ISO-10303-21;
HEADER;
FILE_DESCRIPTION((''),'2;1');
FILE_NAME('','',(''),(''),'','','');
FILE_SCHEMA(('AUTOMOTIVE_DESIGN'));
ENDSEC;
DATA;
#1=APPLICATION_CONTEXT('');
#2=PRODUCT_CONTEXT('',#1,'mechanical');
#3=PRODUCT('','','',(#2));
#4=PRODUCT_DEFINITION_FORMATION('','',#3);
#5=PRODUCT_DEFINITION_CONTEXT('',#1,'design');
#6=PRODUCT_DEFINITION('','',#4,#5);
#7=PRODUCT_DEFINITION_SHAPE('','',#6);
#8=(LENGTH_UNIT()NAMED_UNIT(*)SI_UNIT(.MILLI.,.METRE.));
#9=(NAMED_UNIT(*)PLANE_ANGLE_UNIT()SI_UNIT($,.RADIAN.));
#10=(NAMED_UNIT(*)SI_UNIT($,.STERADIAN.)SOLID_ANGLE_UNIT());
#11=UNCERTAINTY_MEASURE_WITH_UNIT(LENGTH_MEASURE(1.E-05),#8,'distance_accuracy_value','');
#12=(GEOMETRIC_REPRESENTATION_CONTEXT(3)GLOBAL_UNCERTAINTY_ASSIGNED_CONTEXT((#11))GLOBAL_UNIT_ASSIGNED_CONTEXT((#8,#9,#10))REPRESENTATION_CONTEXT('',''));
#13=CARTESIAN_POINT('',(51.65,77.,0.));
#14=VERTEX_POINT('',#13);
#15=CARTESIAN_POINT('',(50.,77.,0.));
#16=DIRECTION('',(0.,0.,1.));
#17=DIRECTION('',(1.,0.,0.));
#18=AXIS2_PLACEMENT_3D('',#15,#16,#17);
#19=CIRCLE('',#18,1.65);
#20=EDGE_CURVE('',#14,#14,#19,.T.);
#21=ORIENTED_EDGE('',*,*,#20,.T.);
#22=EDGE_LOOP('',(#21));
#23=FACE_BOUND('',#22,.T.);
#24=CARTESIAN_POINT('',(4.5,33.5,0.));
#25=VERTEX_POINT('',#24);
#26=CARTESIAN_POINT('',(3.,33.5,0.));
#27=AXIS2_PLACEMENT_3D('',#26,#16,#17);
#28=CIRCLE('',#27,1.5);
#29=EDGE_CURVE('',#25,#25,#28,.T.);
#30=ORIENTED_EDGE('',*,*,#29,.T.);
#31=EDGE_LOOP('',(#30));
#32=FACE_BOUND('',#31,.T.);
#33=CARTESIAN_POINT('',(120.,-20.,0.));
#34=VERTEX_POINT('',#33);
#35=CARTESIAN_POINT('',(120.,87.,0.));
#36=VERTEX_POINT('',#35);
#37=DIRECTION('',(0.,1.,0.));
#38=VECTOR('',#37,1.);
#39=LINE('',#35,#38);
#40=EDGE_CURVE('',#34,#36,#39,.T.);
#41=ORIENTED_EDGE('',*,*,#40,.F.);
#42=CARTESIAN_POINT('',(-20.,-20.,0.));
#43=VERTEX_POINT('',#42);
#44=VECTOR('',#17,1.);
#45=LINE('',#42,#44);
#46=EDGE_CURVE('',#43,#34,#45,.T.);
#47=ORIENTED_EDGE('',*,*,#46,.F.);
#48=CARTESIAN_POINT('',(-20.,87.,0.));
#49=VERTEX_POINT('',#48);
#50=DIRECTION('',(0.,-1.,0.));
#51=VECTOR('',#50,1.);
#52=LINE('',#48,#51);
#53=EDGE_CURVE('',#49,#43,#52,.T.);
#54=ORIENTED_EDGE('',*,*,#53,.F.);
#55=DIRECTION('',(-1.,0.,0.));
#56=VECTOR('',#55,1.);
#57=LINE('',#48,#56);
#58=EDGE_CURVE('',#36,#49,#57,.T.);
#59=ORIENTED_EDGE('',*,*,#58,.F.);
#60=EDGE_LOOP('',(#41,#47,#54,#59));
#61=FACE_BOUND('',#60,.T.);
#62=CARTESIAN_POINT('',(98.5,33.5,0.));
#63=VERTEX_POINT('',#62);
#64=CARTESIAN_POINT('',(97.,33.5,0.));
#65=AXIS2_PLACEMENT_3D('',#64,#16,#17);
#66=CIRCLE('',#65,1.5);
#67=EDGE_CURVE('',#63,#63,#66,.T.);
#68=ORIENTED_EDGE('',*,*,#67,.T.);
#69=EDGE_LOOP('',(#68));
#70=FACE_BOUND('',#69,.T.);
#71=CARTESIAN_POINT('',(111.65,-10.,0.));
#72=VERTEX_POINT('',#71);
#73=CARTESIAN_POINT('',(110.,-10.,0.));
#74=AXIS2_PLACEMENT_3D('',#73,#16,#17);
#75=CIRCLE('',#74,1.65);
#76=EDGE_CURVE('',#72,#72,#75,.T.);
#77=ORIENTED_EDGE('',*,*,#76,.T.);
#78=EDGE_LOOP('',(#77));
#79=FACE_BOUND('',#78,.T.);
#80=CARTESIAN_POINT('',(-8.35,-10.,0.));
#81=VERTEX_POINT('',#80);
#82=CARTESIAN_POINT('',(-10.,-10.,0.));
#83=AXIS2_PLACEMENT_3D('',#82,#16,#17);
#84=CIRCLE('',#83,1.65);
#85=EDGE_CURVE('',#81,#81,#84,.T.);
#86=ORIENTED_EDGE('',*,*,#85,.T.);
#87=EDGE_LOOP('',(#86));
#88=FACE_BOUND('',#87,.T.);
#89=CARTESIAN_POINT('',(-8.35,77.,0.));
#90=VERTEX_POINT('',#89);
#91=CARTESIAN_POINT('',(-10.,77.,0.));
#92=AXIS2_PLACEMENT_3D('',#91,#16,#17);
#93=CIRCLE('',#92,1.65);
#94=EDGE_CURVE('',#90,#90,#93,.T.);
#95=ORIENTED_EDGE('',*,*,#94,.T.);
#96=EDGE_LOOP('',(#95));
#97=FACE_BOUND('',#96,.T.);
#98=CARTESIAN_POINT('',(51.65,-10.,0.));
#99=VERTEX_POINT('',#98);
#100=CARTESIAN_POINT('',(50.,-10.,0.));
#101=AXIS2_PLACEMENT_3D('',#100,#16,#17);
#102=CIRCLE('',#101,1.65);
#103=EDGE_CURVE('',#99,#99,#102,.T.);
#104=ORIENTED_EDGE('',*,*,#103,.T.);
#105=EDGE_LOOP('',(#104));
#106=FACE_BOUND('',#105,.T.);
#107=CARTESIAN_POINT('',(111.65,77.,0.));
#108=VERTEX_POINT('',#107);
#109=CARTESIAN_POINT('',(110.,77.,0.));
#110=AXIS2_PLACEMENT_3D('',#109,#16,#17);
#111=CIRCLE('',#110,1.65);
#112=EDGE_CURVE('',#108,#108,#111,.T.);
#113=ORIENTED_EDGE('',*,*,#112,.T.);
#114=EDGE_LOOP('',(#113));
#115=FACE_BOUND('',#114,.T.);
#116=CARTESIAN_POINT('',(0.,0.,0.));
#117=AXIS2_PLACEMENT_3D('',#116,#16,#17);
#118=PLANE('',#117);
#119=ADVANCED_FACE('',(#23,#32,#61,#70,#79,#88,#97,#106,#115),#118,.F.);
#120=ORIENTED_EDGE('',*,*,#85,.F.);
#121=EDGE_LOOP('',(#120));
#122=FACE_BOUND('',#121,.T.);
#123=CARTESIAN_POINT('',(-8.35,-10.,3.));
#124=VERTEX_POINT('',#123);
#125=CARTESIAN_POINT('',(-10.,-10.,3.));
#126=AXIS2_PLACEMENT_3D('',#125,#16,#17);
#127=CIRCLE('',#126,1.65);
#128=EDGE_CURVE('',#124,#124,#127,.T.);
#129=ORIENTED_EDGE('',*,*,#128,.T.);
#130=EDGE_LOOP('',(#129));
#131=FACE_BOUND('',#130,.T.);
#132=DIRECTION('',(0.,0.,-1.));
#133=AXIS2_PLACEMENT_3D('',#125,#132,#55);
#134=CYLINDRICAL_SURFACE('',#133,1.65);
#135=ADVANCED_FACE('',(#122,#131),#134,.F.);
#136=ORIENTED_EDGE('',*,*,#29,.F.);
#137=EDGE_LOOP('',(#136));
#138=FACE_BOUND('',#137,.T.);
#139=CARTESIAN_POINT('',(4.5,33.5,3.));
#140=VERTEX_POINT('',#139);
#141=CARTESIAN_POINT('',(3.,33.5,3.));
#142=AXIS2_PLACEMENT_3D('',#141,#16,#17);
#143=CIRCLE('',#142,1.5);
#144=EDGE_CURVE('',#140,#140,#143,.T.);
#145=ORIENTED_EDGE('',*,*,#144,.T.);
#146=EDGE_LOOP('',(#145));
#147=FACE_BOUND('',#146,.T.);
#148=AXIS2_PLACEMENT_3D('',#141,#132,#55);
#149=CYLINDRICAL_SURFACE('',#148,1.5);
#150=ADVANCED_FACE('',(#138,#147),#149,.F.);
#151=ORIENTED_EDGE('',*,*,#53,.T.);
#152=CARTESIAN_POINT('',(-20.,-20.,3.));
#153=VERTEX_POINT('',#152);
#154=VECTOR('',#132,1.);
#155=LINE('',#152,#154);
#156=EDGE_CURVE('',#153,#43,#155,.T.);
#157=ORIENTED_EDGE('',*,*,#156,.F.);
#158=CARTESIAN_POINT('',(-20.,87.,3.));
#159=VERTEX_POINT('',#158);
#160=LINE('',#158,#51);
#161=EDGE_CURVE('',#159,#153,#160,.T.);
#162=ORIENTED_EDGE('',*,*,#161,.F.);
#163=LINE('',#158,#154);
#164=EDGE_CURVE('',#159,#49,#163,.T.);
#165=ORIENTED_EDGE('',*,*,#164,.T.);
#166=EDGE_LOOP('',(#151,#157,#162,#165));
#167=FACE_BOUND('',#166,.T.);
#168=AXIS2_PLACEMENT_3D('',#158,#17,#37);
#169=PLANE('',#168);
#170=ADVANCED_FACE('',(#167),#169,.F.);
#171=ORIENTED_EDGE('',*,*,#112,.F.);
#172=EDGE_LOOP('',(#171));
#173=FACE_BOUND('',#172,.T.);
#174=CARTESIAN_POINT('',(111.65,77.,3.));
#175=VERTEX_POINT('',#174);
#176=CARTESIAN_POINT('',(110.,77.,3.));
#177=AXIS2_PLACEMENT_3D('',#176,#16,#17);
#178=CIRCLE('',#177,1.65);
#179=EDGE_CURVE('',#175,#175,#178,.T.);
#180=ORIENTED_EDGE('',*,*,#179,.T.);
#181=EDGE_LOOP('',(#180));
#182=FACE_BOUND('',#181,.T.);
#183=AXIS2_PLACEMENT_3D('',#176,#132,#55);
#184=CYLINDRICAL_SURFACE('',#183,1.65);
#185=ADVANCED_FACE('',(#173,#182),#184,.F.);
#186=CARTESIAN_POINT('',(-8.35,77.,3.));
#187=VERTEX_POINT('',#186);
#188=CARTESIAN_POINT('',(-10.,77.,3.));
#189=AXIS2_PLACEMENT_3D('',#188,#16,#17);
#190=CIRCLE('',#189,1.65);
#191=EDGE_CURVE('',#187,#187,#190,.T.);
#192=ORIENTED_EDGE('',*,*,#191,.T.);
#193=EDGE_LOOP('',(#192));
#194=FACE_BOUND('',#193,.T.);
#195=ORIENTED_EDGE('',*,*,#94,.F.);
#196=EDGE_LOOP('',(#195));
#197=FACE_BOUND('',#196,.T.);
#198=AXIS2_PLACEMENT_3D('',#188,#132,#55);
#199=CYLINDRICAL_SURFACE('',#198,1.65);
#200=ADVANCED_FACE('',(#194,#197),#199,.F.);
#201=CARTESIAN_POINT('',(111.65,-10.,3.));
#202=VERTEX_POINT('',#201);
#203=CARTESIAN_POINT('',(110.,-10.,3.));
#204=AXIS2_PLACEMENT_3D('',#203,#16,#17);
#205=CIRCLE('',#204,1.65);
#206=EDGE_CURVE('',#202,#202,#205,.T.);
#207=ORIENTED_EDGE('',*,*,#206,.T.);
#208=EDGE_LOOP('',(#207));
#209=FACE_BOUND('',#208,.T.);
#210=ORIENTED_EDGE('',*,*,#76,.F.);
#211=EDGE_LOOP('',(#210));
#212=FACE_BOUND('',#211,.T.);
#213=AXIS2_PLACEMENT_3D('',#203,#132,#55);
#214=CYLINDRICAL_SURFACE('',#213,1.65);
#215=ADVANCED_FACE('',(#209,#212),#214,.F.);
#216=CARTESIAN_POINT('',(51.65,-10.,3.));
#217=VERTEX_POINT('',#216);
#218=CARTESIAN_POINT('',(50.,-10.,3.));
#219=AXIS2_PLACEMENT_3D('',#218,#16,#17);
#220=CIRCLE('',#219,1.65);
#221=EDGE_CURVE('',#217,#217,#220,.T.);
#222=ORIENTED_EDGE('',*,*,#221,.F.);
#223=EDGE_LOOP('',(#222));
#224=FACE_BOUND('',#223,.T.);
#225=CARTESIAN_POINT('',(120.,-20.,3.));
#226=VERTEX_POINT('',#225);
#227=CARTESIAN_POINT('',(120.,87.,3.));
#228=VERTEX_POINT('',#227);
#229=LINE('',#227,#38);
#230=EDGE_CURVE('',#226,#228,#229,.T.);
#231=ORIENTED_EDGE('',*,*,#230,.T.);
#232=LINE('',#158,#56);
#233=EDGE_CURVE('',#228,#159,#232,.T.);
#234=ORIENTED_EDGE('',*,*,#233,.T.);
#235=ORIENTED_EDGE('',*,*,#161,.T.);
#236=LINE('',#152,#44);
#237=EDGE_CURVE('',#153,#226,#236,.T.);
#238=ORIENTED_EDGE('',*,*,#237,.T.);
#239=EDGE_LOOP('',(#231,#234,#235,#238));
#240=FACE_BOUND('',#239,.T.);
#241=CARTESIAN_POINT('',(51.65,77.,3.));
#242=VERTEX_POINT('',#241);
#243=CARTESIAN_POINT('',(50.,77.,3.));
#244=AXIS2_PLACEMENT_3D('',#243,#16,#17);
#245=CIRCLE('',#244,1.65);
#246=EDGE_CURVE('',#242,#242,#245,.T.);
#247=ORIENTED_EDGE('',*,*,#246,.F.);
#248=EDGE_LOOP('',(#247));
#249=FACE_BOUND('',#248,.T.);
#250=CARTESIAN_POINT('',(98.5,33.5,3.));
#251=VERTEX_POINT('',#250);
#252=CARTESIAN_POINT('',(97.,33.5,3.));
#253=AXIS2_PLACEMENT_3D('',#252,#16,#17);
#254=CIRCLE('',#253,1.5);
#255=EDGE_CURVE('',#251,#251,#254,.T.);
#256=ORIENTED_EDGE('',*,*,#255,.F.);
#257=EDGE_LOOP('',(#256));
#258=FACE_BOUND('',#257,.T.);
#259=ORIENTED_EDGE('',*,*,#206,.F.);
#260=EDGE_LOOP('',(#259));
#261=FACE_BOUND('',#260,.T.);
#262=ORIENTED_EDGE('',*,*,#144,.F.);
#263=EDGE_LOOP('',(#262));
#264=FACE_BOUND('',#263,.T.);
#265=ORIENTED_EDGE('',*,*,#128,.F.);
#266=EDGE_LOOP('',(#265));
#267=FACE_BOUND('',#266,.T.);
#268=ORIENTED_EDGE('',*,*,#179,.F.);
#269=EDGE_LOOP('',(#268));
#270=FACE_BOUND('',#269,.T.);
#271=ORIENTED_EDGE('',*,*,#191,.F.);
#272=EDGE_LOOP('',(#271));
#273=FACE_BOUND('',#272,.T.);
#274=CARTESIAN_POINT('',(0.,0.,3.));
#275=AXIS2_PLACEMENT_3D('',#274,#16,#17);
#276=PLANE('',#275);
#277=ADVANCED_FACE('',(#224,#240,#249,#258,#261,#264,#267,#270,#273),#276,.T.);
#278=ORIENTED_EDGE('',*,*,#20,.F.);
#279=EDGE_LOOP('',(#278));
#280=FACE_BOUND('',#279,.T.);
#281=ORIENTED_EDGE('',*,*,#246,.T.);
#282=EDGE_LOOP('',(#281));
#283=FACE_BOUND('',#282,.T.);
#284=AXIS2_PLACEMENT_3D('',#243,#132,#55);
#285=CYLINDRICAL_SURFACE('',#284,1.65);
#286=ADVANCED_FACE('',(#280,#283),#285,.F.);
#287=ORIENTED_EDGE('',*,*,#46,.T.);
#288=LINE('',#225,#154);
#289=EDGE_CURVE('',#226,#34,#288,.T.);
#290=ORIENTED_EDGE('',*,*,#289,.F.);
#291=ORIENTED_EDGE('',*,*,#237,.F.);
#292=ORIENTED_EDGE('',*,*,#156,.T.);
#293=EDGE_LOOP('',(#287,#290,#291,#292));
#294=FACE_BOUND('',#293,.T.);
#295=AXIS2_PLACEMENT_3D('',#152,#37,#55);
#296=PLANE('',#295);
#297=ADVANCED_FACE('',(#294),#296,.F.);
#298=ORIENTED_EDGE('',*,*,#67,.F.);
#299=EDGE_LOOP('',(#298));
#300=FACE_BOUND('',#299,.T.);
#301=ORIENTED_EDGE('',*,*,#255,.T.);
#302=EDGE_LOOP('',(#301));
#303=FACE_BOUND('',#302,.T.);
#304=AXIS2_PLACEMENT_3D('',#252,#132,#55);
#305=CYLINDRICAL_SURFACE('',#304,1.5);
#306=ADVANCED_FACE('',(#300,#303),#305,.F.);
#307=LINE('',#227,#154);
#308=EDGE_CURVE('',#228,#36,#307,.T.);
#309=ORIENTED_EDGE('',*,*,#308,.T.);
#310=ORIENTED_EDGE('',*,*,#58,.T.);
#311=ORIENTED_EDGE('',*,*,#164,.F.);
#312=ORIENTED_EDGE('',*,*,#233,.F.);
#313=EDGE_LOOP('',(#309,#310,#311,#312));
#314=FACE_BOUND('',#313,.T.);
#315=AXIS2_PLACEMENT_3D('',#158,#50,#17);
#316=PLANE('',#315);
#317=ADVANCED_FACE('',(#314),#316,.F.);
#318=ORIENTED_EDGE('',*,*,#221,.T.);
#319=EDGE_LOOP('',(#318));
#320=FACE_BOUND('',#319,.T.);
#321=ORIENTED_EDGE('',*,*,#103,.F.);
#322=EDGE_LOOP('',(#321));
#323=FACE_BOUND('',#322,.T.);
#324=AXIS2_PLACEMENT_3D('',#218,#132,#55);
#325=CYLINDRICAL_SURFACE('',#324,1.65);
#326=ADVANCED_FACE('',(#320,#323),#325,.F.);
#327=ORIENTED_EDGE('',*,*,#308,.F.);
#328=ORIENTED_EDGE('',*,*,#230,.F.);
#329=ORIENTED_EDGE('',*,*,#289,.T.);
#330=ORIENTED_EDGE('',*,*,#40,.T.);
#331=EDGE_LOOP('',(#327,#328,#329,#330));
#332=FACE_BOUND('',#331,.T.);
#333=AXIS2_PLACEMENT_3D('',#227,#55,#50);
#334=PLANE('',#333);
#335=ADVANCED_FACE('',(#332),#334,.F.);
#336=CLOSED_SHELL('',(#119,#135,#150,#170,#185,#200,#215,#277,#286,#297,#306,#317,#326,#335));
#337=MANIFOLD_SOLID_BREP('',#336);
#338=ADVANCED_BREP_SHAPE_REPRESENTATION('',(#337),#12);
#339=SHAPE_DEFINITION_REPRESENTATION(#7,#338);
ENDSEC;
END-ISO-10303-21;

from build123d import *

# Parameters (mm, degrees)
ESQUISSE1_W        = 140
ESQUISSE1_H        = 107
ESQUISSE1_R        = 1.5
ESQUISSE1_R_2      = 1.65
BOSS_EXTRU_1_DEPTH = 3


with BuildPart() as part:
    # Esquisse1 → Boss.-Extru.1 (new body)
    with BuildSketch(Plane.XY):
        with Locations((50, 33.5)):
            Rectangle(ESQUISSE1_W, ESQUISSE1_H)
        with Locations((97, 33.5)):
            Circle(ESQUISSE1_R, mode=Mode.SUBTRACT)
        with Locations((3, 33.5)):
            Circle(ESQUISSE1_R, mode=Mode.SUBTRACT)
        with Locations((110, 77)):
            Circle(ESQUISSE1_R_2, mode=Mode.SUBTRACT)
        with Locations((-10, 77)):
            Circle(ESQUISSE1_R_2, mode=Mode.SUBTRACT)
        with Locations((-10, -10)):
            Circle(ESQUISSE1_R_2, mode=Mode.SUBTRACT)
        with Locations((110, -10)):
            Circle(ESQUISSE1_R_2, mode=Mode.SUBTRACT)
        with Locations((50, 77)):
            Circle(ESQUISSE1_R_2, mode=Mode.SUBTRACT)
        with Locations((50, -10)):
            Circle(ESQUISSE1_R_2, mode=Mode.SUBTRACT)
    extrude(amount=BOSS_EXTRU_1_DEPTH)


solid = part.part
